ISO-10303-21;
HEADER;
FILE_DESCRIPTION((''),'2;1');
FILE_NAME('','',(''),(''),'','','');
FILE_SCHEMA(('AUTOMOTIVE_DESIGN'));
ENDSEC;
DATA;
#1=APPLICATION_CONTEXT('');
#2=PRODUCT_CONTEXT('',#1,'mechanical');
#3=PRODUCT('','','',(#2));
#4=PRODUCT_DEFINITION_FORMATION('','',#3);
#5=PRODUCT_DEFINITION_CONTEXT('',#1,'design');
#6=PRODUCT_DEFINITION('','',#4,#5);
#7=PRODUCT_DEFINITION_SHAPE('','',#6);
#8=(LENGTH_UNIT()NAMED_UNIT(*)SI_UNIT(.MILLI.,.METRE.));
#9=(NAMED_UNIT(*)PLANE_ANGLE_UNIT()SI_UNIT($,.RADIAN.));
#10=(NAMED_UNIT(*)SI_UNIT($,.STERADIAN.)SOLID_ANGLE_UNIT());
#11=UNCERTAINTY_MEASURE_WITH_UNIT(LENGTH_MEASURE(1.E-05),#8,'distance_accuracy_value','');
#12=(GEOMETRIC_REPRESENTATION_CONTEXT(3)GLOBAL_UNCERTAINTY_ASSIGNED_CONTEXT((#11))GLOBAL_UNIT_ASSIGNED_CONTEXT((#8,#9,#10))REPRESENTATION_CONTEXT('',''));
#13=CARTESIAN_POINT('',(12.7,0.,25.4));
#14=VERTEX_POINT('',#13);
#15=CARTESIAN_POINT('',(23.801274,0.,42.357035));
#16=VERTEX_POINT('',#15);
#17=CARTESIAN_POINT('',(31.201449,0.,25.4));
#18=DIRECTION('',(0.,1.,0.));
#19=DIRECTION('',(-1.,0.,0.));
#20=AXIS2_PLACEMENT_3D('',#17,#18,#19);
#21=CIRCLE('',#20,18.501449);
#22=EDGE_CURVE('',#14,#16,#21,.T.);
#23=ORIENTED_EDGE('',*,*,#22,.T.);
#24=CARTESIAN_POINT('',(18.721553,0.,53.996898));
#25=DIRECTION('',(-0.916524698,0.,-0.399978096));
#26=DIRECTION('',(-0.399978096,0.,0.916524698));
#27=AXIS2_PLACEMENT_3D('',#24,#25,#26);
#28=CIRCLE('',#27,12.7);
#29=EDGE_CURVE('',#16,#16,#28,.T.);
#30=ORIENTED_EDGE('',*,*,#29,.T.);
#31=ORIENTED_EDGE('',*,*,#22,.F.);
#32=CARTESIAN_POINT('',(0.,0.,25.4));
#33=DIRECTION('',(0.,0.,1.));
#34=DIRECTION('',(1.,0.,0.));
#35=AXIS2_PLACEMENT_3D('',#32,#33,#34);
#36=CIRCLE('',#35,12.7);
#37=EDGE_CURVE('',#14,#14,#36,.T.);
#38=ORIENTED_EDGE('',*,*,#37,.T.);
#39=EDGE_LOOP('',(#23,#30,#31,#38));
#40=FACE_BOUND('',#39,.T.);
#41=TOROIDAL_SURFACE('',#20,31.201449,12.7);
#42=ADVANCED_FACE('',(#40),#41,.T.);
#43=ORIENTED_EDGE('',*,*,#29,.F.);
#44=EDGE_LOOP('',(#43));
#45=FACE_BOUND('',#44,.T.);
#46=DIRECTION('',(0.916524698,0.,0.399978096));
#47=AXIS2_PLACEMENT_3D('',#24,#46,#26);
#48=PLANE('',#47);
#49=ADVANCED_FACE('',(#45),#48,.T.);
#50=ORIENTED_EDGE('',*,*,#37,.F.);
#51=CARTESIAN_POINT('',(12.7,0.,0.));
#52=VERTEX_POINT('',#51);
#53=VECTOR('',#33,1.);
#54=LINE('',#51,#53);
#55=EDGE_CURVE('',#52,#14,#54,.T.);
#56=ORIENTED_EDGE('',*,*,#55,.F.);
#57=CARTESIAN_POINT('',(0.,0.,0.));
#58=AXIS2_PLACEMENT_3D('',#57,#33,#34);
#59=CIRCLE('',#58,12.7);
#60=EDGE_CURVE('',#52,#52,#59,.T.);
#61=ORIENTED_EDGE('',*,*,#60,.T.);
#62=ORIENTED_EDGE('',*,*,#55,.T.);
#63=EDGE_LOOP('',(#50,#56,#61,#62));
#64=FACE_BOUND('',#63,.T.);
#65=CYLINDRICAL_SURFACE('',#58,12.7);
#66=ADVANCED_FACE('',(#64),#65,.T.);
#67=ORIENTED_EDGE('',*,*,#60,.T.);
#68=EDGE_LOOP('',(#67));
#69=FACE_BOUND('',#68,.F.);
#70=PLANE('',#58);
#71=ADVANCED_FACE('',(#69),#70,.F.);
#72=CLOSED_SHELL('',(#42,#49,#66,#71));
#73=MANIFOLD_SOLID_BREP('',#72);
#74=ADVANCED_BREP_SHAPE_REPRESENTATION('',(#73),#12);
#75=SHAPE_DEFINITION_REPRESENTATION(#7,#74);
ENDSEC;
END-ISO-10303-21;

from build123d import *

# Parameters (mm, degrees)
F1_R = 12.7


with BuildPart() as f2:
    # F2: sweep along a path in F0
    with BuildLine(Plane.XZ) as f2_path:
        Line((0, 0), (0, 25.4))
        ThreePointArc((0, 25.4), (5.0966479942, 42.4900491447), (18.7215525657, 53.9968982339))
    # F1 (on Top) → F2 (sweep)
    with BuildSketch(Plane.XY):
        Circle(F1_R)
    sweep(path=f2_path.line)


solid = f2.part
